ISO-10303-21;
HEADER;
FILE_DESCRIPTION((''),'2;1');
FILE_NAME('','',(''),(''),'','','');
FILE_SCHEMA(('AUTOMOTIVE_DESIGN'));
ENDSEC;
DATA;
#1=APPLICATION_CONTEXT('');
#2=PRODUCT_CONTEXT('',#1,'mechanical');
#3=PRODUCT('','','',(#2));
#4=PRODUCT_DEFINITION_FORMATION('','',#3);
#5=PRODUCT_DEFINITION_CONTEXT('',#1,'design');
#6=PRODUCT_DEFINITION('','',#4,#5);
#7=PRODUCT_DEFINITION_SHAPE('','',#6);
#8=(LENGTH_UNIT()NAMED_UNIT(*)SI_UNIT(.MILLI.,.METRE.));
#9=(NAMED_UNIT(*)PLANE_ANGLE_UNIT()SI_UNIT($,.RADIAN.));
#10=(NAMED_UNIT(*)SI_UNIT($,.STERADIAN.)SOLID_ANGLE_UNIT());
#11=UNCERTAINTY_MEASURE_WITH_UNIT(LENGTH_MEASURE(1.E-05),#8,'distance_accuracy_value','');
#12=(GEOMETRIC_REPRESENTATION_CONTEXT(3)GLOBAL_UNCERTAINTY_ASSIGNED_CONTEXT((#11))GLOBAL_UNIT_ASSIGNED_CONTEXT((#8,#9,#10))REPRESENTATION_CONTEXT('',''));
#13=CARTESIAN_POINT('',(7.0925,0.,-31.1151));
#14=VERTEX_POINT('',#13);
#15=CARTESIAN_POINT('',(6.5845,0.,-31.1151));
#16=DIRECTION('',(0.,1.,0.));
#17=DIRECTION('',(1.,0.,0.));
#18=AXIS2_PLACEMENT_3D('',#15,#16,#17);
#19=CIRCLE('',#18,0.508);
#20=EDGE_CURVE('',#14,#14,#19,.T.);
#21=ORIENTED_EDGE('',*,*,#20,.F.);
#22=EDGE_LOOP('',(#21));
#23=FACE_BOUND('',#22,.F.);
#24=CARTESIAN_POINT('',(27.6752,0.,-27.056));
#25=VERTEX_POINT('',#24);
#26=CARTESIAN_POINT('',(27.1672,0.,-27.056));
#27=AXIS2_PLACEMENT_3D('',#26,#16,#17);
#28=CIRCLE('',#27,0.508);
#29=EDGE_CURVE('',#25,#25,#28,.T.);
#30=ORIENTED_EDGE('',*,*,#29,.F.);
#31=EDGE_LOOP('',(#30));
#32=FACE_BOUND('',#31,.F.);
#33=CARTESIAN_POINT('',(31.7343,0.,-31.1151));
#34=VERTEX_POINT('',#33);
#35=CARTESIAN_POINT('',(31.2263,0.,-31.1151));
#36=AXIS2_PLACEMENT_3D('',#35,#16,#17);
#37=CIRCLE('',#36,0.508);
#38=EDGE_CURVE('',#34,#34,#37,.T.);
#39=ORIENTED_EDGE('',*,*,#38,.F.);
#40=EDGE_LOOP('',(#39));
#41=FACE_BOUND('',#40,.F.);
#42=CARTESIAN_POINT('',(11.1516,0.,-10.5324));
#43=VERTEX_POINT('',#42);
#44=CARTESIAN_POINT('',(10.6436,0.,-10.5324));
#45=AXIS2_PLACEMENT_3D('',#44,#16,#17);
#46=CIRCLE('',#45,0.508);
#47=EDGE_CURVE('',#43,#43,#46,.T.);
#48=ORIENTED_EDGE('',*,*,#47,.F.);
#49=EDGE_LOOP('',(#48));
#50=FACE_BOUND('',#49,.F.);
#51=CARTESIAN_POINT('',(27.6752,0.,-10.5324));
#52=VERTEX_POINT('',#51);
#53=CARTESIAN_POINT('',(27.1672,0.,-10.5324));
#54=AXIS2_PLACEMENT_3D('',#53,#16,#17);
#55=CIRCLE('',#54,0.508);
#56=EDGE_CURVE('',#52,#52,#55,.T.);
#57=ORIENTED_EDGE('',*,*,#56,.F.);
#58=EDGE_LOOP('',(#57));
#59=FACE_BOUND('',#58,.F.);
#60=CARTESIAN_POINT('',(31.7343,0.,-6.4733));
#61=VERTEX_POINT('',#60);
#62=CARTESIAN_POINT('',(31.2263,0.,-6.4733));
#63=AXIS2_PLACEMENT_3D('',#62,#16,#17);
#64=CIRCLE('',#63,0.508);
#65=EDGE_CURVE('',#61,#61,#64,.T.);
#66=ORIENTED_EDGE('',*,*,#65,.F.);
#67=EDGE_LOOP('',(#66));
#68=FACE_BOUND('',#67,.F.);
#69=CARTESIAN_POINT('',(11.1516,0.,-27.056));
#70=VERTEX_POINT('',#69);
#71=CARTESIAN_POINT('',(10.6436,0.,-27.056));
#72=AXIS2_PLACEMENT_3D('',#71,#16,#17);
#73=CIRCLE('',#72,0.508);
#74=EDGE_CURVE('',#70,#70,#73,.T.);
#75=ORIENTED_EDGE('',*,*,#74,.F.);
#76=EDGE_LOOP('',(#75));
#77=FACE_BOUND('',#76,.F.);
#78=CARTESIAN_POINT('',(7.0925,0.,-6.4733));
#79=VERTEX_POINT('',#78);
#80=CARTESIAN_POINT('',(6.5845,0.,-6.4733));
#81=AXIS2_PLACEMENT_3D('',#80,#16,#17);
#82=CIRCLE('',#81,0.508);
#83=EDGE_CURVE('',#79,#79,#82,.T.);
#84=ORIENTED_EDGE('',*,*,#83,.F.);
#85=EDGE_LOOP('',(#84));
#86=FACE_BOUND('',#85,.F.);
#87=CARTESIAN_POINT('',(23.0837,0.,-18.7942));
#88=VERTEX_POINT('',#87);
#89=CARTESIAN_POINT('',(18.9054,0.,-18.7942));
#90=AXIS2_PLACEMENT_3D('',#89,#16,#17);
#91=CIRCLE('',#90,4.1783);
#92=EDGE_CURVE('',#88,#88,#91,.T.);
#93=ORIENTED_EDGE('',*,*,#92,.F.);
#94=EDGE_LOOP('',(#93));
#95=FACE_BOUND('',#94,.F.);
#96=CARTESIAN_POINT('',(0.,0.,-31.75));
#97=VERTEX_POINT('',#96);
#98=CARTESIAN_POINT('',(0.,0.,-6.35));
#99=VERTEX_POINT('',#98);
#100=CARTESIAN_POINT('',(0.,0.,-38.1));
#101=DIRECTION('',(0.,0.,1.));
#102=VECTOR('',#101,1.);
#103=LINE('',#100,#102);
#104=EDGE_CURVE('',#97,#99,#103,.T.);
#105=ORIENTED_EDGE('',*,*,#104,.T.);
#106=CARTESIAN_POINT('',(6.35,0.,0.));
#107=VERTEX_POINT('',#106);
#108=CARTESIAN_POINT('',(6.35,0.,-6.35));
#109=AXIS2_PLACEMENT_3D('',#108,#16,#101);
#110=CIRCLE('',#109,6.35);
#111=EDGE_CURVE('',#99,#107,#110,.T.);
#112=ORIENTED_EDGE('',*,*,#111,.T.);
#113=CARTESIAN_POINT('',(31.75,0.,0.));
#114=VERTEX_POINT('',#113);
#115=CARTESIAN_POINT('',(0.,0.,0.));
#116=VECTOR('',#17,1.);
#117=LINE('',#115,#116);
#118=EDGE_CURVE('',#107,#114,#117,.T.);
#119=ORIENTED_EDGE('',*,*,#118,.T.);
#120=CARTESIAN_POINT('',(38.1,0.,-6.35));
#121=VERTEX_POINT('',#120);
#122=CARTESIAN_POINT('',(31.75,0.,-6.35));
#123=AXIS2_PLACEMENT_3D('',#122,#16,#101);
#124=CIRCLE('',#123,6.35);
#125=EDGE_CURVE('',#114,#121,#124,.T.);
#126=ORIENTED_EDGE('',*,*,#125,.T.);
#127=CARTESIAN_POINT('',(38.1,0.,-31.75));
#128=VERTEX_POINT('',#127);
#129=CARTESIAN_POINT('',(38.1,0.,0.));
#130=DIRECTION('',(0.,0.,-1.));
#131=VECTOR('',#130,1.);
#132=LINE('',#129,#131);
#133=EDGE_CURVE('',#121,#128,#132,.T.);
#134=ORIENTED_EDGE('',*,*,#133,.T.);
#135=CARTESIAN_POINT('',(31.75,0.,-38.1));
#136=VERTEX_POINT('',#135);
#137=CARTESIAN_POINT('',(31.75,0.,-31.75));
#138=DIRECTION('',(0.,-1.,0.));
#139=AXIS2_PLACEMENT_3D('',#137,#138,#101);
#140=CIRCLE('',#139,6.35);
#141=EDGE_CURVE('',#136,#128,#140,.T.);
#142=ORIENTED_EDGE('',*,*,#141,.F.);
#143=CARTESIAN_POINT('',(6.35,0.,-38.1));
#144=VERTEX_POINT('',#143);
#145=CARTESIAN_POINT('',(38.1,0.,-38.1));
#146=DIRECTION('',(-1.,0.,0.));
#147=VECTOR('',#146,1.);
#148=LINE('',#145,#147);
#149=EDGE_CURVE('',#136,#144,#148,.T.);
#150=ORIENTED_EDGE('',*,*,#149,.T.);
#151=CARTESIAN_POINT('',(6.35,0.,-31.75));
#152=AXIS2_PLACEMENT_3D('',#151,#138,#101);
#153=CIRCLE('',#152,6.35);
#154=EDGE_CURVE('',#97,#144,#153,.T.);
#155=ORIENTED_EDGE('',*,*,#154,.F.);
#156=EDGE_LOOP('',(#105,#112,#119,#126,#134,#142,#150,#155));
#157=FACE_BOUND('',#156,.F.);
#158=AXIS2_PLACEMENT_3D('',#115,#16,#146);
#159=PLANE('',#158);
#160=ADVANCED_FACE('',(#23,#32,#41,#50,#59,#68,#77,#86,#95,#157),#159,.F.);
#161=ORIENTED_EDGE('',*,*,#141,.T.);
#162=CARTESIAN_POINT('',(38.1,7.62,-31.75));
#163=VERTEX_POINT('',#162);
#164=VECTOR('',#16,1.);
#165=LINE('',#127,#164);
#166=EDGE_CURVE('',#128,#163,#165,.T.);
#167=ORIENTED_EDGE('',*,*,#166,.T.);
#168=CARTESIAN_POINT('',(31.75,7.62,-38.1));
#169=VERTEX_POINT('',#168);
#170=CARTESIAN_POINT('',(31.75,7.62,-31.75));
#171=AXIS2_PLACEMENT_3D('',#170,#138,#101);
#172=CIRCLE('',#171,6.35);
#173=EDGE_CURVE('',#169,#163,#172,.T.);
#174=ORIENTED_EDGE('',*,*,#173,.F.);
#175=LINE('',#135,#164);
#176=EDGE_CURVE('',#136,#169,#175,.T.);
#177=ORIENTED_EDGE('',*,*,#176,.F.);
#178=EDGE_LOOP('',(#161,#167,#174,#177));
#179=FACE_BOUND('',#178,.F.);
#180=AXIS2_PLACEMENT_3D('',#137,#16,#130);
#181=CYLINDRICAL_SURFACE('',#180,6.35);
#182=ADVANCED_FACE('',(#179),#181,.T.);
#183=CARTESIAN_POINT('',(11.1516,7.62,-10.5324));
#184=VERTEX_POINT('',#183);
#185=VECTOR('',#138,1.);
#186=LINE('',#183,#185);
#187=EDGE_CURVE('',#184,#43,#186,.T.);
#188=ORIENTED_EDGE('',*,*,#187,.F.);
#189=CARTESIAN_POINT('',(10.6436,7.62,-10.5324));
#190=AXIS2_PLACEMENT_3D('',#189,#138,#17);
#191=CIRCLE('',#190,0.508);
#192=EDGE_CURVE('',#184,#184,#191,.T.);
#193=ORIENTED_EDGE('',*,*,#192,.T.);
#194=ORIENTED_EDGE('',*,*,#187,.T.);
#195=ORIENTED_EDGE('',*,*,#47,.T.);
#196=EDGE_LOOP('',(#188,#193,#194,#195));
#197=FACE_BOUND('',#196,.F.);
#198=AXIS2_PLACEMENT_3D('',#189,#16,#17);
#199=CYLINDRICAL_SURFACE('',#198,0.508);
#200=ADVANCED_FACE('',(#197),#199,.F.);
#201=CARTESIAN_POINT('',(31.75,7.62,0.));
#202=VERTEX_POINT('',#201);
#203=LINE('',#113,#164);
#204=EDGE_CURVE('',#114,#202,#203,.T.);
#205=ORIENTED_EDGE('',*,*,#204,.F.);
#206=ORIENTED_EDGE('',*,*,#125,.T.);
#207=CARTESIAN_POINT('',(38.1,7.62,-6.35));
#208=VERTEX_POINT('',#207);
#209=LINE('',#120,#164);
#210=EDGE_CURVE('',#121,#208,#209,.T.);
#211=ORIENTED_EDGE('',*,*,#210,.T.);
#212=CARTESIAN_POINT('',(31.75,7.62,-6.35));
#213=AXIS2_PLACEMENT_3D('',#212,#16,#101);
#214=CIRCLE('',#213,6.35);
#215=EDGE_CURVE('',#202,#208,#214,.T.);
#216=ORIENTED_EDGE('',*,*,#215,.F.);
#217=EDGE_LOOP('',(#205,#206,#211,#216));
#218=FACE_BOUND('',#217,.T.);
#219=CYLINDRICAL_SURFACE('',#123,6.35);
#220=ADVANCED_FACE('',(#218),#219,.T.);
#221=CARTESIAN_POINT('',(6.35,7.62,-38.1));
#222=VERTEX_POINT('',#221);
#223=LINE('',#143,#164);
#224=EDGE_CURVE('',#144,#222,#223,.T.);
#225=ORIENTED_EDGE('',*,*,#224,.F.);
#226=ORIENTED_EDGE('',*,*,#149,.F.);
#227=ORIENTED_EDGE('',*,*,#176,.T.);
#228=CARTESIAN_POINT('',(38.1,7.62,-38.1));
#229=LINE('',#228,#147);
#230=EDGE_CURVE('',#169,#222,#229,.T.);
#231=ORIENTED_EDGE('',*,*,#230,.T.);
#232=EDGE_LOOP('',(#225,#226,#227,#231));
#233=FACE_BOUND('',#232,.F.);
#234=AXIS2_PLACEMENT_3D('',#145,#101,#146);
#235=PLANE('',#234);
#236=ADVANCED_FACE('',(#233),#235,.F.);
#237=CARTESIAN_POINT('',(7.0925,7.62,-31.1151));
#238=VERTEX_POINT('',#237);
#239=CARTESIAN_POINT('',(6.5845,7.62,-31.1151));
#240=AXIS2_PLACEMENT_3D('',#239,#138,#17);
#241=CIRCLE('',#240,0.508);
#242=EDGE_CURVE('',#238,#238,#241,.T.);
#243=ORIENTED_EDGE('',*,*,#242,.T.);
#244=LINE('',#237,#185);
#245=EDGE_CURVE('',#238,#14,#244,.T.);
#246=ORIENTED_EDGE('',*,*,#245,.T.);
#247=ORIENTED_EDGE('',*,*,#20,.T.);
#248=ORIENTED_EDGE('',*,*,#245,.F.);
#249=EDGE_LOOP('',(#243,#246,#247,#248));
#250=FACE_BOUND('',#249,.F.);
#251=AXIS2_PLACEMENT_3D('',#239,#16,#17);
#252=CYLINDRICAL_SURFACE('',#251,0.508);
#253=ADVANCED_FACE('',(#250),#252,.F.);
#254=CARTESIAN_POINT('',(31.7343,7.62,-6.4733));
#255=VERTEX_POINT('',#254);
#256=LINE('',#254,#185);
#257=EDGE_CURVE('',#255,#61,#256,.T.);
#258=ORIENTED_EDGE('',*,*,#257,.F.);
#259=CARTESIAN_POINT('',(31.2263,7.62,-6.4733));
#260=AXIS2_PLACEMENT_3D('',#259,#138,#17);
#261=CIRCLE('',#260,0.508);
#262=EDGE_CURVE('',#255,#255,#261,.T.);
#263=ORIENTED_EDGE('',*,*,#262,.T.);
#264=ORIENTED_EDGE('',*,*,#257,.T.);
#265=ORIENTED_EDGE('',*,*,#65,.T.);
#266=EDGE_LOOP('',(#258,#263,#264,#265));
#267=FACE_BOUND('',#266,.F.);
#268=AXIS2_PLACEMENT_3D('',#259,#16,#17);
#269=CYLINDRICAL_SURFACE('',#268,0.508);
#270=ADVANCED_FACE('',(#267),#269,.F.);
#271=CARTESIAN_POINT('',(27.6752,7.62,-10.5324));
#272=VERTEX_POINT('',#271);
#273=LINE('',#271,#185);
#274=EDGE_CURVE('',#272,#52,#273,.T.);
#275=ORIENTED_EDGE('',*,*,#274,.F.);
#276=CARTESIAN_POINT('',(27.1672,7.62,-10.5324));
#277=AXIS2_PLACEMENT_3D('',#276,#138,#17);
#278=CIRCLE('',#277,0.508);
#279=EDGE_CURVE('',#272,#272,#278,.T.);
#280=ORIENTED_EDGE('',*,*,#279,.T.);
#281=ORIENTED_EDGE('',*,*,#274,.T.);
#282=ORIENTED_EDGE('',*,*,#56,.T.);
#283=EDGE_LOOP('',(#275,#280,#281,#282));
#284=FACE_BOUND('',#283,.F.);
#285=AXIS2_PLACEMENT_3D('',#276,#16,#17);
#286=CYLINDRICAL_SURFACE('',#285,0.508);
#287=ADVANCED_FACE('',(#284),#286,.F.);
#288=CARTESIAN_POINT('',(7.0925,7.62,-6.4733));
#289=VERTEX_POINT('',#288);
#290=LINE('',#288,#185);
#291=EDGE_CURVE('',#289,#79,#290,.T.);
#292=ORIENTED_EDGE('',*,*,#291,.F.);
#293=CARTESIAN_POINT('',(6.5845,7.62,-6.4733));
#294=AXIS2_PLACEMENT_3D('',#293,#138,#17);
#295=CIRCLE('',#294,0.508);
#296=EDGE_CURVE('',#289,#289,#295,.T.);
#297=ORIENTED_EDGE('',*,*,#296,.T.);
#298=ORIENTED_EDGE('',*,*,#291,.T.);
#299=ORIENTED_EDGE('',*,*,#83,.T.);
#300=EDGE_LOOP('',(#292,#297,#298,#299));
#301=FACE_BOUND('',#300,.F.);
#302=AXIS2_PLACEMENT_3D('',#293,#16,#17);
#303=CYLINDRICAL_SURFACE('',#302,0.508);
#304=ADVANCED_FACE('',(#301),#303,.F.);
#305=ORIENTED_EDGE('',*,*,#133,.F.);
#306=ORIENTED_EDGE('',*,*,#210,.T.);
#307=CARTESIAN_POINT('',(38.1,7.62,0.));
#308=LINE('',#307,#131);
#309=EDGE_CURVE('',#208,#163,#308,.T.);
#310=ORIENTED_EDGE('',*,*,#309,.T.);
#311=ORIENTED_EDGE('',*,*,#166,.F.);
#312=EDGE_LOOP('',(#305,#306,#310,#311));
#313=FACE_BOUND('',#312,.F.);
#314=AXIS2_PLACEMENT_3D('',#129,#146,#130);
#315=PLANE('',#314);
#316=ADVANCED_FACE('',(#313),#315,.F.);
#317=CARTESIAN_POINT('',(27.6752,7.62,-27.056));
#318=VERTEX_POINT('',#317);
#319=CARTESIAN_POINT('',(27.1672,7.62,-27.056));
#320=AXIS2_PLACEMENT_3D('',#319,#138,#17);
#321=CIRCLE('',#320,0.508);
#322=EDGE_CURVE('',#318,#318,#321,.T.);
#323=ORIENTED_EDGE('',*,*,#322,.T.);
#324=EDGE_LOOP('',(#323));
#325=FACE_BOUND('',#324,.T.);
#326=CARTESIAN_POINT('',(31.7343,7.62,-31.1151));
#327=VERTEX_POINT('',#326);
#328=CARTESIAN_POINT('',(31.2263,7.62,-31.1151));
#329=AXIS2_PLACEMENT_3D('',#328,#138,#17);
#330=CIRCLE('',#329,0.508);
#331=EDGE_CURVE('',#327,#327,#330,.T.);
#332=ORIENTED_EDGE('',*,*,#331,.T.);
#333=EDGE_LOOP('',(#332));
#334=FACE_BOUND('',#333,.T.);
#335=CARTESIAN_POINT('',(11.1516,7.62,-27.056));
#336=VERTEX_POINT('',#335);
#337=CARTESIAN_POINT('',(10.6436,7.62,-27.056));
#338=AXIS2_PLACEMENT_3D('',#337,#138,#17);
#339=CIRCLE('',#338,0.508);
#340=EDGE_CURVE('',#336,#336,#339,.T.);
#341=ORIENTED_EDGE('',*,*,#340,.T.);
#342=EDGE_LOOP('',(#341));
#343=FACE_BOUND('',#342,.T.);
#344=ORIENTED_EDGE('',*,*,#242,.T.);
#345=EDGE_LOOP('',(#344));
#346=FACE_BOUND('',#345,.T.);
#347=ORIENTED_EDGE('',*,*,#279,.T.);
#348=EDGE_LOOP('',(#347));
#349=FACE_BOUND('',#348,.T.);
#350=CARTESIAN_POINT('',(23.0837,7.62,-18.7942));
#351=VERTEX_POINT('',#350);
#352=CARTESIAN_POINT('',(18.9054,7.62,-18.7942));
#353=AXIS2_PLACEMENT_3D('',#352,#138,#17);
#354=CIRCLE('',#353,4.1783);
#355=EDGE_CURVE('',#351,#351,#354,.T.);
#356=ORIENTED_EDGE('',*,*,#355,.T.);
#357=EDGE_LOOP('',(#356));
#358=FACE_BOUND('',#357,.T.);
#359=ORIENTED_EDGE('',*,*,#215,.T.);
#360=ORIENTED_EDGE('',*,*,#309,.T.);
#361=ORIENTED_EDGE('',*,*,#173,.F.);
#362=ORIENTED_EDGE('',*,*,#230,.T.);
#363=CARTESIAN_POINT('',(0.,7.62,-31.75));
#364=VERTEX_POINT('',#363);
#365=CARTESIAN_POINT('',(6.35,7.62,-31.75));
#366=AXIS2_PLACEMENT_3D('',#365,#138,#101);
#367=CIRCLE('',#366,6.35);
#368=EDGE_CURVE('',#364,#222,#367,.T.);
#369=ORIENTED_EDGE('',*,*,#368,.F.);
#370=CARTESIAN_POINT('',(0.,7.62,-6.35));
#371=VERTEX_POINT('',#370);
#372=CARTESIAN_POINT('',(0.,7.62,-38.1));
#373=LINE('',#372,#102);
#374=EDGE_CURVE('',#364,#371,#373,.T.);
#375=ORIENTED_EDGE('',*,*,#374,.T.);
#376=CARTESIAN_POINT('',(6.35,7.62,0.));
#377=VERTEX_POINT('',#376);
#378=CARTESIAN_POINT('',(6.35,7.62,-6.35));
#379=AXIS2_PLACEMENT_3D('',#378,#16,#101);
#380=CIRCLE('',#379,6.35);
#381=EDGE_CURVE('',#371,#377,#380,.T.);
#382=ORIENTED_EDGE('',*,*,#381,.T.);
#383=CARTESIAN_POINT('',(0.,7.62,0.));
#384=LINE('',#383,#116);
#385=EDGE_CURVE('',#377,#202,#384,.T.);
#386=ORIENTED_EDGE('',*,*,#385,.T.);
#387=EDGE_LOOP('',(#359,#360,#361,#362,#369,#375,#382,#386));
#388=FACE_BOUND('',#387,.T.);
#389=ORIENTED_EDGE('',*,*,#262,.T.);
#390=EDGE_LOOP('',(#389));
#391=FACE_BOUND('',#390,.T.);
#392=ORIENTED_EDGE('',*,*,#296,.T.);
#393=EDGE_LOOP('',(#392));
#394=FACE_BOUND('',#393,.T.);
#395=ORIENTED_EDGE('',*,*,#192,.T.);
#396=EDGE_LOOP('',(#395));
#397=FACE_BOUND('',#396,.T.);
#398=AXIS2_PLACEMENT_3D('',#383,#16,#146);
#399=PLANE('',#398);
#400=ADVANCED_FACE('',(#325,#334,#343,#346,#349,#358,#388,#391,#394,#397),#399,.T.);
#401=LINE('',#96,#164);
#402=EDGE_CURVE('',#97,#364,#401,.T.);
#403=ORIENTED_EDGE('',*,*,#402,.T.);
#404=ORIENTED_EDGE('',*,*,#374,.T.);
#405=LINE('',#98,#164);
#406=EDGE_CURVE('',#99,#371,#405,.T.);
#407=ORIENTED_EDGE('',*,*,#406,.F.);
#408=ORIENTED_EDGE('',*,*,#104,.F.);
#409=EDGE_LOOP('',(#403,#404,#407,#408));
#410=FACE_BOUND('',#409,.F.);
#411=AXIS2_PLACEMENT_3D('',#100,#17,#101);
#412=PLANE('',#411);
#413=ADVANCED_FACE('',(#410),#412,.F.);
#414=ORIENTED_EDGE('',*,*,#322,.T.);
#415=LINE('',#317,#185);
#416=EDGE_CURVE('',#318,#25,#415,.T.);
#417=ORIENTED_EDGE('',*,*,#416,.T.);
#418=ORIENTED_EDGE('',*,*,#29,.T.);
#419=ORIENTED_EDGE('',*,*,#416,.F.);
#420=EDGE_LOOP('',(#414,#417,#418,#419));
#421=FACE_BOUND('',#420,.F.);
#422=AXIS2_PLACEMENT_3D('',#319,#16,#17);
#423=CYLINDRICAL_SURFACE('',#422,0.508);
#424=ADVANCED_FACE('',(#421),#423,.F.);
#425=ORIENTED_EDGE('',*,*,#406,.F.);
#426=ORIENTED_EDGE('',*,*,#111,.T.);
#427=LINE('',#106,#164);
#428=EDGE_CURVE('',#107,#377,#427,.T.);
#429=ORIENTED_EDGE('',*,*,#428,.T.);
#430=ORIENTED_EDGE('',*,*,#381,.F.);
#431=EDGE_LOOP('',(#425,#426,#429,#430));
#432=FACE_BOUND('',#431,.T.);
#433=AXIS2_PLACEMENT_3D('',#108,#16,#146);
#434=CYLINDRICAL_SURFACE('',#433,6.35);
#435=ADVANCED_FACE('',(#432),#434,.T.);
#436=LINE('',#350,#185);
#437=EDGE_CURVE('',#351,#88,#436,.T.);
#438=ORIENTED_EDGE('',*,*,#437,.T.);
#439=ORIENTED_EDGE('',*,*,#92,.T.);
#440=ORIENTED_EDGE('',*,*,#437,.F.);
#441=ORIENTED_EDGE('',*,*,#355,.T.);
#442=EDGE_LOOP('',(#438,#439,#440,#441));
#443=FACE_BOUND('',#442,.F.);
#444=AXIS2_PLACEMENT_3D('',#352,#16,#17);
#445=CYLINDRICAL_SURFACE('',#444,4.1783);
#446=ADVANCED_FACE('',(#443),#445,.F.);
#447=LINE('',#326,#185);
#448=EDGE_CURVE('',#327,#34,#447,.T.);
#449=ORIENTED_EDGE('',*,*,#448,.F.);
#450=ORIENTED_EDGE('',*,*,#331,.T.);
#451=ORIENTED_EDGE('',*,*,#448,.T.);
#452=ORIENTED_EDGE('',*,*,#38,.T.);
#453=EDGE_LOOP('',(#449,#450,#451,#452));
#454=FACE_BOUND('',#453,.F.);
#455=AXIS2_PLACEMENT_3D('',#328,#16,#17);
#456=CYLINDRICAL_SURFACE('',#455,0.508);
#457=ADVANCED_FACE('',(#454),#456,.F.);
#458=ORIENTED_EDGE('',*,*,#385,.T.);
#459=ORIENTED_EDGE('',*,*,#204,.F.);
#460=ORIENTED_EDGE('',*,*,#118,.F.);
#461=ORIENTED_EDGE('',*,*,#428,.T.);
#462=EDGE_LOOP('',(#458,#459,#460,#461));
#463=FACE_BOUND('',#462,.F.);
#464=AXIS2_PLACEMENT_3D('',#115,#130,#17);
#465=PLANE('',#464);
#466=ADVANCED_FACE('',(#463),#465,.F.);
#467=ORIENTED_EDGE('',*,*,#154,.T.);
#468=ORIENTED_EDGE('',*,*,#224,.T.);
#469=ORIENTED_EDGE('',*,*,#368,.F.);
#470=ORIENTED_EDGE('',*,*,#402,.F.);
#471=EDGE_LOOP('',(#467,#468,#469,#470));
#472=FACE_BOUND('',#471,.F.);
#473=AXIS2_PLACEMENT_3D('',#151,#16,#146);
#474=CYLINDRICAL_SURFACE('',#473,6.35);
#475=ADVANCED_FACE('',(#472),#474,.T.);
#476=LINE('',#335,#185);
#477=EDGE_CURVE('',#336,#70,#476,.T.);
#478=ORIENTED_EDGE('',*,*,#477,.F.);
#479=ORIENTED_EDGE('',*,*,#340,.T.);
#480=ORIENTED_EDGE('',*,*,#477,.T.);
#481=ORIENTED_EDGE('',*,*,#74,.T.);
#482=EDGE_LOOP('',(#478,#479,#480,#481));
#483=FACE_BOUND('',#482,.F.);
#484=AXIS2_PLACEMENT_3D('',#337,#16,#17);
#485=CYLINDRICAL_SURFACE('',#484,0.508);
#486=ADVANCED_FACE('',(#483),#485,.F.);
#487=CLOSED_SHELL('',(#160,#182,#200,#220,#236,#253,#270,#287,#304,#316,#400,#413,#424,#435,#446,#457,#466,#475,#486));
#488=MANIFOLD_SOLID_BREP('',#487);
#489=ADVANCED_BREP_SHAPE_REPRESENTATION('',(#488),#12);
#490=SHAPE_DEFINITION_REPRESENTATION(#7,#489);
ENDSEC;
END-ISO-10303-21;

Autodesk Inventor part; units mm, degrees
ref_plane "YZ Plane" through (0, 0, 0) normal (1, 0, 0) x (0, 1, 0)
ref_plane "XZ Plane" through (0, 0, 0) normal (0, 1, 0) x (-1, 0, 0)
ref_plane "XY Plane" through (0, 0, 0) normal (0, 0, 1) x (1, 0, 0)
sketch "Sketch1" plane through (0, 0, 0) normal (0, 1, 0) x (-1, 0, 0)
  line L0 (0, 0) -> (-38.1, 0)
  line L1 (-38.1, 0) -> (-38.1, -38.1)
  line L2 (-38.1, -38.1) -> (0, -38.1)
  line L3 (0, -38.1) -> (0, 0)
  dimension "d0" = 38.1
  dimension "d1" = 38.1
extrude "Extrusion1" add sketch "Sketch1" along normal blind 7.62
sketch "Sketch2" plane through (0, 7.62, 0) normal (0, 1, 0) x (1, 0, 0)
  line L0 (4.5036, 33.196) -> (33.3072, 33.196)
  line L1 (33.3072, 33.196) -> (33.3072, 4.3924)
  line L2 (33.3072, 4.3924) -> (4.5036, 4.3924)
  line L3 (4.5036, 4.3924) -> (4.5036, 33.196)
  line L4 (33.3072, 33.196) -> (4.5036, 4.3924)
  line L5 (4.5036, 33.196) -> (33.3072, 4.3924)
  line L6 (18.9054, 18.7942) -> (27.1672, 27.056)
  line L7 (18.9054, 18.7942) -> (10.6436, 27.056)
  line L8 (18.9054, 18.7942) -> (10.6436, 10.5324)
  line L9 (18.9054, 18.7942) -> (27.1672, 10.5324)
  line L10 (18.9054, 18.7942) -> (31.2263, 31.1151)
  line L11 (18.9054, 18.7942) -> (6.5845, 31.1151)
  line L12 (18.9054, 18.7942) -> (6.5845, 6.4733)
  line L13 (18.9054, 18.7942) -> (31.2263, 6.4733)
  circle A0 centre (27.1672, 27.056) radius 0.508
  circle A1 centre (31.2263, 31.1151) radius 0.508
  circle A2 centre (6.5845, 31.1151) radius 0.508
  circle A3 centre (10.6436, 27.056) radius 0.508
  circle A4 centre (10.6436, 10.5324) radius 0.508
  circle A5 centre (6.5845, 6.4733) radius 0.508
  line L14 (18.9054, 18.7942) -> (27.1672, 10.5324)
  circle A6 centre (27.1672, 10.5324) radius 0.508
  circle A7 centre (31.2263, 6.4733) radius 0.508
  circle A8 centre (18.9054, 18.7942) radius 4.1783
  point P0 (0, 0)
  point P1 (27.2554, -7.62)
  dimension "d4" = 28.8036
  dimension "d5" = 28.8036
  dimension "d6" = 11.684
  dimension "d7" = 11.684
  dimension "d8" = 11.684
  dimension "d9" = 17.4244
  dimension "d10" = 17.4244
  dimension "d11" = 17.4244
  dimension "d12" = 17.4244
  dimension "d13" = 1.016
  dimension "d14" = 1.016
  dimension "d15" = 1.016
  dimension "d16" = 1.016
  dimension "d17" = 1.016
  dimension "d18" = 1.016
  dimension "d19" = 11.684
  dimension "d20" = 1.016
  dimension "d21" = 1.016
  dimension "d22" = 8.3566
extrude "Extrusion2" cut sketch "Sketch2" against normal blind 25.4 contours A2 L5 | L5 A2 | A1 L4 | L4 A1 | A5 L4 | L4 A5 | A7 L5 | L5 A7 | A3 L5 | L5 A3 | A0 L4 | L4 A0 | A4 L4 | L4 A4 | A6 L5 | L5 A6 | A8 L4 L5 | L5 L4 A8 | A8 L5 L4 | L4 L5 A8
fillet "Fillet1" radius 6.35 4 edges at (38.1, 3.81, 0) (0, 3.81, 0) (0, 3.81, -38.1) (38.1, 3.81, -38.1)
